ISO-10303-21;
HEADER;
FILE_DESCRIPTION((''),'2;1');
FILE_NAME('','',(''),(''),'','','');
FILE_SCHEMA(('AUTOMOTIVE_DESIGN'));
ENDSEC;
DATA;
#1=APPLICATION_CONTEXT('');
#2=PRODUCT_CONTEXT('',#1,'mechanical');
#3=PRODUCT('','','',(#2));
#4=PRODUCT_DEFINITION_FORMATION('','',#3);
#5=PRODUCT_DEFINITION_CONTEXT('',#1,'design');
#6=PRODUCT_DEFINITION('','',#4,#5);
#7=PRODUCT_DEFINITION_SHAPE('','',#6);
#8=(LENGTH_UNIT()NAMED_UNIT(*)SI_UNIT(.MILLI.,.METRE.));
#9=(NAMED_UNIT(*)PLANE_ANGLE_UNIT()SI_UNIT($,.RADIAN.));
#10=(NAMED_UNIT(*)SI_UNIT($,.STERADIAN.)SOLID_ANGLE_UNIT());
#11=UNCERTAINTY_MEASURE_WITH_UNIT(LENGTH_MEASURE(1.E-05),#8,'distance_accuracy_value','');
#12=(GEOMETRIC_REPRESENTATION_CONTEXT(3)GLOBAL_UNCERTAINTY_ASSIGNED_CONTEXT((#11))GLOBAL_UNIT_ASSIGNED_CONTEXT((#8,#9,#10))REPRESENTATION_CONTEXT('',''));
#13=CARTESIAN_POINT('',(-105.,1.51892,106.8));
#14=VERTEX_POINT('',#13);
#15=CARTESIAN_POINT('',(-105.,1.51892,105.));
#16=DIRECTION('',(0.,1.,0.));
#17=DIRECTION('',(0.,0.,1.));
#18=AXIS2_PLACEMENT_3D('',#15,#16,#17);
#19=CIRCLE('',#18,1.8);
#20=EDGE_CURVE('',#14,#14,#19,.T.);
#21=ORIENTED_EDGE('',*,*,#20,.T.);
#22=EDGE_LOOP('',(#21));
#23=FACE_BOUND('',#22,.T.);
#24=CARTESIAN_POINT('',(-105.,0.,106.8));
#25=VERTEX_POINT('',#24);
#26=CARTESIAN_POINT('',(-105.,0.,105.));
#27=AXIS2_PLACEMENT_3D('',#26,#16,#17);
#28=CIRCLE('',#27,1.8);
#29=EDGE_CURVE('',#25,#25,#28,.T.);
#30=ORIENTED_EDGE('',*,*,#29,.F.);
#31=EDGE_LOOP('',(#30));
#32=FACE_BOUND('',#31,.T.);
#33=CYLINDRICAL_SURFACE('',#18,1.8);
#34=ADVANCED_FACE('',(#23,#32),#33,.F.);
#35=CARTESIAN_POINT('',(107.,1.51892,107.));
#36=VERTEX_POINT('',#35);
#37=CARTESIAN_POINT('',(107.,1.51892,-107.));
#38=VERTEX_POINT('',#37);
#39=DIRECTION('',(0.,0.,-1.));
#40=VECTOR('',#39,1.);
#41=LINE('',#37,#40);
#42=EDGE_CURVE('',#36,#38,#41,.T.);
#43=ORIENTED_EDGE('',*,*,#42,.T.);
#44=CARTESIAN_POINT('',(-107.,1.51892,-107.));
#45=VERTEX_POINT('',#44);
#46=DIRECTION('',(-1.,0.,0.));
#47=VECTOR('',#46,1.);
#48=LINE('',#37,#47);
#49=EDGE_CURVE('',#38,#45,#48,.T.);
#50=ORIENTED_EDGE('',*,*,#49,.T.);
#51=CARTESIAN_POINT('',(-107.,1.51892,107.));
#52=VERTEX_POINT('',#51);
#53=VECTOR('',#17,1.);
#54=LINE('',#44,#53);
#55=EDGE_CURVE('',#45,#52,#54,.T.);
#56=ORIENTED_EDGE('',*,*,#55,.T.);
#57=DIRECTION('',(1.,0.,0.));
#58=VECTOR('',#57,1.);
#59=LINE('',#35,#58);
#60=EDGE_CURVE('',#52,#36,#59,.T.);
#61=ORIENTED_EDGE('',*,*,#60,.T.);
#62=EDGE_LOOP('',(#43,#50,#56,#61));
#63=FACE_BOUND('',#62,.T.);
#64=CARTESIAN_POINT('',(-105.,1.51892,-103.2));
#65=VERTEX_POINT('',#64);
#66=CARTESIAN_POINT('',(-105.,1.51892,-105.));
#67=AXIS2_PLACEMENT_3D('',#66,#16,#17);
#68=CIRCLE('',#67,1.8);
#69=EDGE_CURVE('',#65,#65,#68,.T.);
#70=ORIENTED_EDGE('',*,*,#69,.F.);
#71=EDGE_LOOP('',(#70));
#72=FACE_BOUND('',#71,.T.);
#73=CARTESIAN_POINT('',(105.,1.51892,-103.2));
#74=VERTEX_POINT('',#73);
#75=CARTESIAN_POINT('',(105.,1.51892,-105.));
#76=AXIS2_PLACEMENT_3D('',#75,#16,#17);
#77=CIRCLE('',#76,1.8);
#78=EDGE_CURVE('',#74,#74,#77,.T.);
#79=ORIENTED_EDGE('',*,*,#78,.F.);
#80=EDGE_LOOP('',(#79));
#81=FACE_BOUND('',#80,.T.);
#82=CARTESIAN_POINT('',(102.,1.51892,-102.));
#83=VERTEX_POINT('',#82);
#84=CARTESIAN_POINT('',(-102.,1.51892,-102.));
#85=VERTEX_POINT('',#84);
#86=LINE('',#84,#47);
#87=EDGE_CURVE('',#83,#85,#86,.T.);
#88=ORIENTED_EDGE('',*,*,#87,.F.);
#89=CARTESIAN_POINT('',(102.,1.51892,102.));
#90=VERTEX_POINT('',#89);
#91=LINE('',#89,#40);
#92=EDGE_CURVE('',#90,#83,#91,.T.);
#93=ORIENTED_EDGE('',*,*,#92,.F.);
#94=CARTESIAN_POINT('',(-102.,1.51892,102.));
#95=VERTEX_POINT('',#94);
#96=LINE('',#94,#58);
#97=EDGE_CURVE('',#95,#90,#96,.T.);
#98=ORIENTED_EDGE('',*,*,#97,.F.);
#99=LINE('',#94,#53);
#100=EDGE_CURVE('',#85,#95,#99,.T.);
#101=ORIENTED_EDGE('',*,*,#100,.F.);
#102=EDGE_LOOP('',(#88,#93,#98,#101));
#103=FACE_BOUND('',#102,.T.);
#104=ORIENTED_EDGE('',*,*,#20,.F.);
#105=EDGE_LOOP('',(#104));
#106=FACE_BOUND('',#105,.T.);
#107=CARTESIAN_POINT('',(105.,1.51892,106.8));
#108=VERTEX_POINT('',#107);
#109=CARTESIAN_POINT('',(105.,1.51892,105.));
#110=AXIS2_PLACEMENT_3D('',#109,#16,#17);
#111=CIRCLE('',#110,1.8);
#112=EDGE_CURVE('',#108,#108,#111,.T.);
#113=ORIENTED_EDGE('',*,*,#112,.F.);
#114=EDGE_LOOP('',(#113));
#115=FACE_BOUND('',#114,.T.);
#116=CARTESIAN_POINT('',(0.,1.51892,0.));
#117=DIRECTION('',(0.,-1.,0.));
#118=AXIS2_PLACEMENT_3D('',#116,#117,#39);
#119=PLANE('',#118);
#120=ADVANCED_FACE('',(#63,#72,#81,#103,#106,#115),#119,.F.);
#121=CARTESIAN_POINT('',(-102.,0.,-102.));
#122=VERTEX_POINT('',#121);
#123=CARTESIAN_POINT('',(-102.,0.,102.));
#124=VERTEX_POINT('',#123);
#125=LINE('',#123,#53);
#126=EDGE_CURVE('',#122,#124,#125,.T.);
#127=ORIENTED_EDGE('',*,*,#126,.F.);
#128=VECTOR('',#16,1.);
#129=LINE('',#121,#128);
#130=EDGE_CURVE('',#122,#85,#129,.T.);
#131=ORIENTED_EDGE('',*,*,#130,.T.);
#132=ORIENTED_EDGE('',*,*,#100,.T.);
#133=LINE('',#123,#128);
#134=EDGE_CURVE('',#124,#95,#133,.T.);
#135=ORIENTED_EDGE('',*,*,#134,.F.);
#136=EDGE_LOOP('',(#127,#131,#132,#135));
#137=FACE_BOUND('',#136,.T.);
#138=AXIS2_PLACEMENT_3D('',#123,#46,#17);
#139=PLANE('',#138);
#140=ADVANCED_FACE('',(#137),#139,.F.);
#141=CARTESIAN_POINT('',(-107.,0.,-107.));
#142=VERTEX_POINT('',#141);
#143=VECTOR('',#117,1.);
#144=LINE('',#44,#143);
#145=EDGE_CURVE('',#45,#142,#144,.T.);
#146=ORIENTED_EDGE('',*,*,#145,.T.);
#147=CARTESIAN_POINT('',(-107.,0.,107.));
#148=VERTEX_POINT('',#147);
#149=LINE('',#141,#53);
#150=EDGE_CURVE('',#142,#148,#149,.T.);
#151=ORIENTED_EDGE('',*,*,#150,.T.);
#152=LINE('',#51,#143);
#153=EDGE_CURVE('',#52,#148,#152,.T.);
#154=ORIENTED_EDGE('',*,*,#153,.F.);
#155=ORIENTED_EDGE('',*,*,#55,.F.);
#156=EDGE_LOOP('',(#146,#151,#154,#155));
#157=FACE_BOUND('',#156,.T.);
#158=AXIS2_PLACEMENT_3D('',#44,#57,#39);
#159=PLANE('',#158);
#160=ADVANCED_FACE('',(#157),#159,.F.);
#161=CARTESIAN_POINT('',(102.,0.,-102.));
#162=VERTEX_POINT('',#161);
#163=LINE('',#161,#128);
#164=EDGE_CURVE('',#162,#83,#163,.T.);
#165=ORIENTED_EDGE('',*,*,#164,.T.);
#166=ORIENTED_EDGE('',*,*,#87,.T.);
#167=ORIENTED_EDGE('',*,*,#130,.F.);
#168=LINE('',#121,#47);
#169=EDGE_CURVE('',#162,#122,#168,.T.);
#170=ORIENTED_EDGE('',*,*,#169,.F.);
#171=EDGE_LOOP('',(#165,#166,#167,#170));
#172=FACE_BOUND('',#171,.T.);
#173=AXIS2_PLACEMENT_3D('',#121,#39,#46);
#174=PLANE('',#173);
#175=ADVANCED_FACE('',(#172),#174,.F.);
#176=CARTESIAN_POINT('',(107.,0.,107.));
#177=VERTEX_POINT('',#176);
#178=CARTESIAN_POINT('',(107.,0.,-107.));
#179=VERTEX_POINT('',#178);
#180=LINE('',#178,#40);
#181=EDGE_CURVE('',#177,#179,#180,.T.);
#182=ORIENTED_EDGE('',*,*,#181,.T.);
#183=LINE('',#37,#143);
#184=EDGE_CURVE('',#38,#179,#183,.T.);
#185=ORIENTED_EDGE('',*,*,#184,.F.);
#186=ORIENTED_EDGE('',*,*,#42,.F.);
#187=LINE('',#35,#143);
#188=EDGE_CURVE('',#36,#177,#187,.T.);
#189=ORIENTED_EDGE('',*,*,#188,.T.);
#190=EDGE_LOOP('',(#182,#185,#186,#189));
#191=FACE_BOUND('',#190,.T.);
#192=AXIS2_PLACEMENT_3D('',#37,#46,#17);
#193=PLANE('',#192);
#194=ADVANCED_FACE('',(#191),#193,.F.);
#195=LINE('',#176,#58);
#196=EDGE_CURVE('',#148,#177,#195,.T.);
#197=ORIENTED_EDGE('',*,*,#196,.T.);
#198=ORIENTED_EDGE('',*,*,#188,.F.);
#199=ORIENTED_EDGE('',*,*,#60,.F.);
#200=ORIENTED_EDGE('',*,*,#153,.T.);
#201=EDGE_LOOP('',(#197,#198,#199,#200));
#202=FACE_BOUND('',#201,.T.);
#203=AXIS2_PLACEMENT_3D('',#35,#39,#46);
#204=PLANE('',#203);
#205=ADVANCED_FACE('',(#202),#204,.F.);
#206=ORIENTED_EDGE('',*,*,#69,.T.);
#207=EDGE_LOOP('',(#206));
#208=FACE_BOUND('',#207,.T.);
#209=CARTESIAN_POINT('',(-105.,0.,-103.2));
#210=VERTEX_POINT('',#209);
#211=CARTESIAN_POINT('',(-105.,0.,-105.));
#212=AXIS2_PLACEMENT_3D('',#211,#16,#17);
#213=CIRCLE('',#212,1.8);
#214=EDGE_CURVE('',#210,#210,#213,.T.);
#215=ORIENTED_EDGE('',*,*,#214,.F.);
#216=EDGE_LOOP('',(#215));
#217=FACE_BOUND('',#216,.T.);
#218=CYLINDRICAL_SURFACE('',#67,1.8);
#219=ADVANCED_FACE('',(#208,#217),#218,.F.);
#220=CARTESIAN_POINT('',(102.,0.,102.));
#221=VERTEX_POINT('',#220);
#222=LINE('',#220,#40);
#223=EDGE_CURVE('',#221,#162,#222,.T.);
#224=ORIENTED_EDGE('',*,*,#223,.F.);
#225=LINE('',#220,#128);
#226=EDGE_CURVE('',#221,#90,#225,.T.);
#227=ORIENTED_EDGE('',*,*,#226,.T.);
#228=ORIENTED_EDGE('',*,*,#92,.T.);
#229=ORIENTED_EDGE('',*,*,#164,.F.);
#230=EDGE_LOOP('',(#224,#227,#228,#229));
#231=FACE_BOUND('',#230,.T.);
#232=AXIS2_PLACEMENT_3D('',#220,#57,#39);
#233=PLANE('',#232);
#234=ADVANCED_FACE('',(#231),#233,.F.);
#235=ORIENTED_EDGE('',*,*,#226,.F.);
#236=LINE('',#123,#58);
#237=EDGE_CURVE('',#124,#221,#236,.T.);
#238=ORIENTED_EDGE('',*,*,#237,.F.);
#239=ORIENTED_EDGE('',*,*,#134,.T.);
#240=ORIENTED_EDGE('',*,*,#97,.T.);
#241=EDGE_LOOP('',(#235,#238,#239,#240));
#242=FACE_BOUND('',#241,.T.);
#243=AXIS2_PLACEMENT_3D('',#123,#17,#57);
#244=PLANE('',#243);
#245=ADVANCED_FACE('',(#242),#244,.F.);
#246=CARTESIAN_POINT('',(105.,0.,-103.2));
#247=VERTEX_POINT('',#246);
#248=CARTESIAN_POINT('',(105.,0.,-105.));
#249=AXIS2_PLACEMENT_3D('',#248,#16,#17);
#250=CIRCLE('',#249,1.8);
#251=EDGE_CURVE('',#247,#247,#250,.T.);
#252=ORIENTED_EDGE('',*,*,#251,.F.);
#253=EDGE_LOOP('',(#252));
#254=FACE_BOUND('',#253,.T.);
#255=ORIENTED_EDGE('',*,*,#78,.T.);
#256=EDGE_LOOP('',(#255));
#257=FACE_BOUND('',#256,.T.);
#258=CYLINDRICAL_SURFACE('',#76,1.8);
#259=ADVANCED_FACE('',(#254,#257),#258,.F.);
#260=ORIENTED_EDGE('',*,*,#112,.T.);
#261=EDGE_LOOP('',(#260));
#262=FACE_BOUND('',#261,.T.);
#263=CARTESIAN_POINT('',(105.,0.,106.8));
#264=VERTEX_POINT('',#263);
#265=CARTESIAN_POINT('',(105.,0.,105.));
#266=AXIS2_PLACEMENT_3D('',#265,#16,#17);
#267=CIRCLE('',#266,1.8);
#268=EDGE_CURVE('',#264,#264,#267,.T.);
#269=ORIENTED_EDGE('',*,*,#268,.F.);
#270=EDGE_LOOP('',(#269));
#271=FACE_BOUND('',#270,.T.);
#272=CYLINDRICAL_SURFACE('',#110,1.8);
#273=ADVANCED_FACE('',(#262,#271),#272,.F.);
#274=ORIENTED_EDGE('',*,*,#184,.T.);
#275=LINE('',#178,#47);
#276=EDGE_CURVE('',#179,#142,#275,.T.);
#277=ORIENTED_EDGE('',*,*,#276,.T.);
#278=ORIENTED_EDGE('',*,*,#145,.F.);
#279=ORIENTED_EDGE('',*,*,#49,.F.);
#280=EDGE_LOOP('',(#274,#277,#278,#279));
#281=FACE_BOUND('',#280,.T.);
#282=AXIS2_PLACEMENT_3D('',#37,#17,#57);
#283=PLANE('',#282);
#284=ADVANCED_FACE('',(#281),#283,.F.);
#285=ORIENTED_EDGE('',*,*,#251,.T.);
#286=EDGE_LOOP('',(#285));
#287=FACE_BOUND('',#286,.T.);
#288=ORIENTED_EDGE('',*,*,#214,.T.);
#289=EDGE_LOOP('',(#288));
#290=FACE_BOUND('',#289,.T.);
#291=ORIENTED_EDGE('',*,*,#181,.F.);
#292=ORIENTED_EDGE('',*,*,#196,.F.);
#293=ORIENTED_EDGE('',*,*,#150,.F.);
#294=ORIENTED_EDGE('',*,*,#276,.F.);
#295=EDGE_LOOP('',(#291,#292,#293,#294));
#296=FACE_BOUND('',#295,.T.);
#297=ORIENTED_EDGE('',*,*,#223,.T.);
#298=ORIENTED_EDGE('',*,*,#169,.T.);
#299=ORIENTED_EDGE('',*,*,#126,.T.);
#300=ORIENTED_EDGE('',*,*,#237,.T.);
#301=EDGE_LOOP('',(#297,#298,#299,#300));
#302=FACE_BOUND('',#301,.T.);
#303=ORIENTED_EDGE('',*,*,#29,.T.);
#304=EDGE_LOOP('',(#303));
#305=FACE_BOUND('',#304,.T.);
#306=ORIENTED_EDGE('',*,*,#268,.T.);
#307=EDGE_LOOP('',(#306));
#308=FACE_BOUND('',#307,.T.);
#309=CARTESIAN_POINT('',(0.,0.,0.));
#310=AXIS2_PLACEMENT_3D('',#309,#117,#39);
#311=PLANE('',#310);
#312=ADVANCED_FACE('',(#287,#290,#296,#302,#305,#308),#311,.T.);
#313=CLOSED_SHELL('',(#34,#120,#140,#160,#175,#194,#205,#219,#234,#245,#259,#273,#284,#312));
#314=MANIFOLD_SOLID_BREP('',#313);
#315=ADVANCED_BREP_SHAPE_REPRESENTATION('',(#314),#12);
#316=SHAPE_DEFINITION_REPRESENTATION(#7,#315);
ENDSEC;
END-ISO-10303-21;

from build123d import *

# Parameters (mm, degrees)
SKETCH1_W            = 214
SKETCH1_H            = 214
BOSS_EXTRUDE1_DEPTH  = 1.51892
SKETCH2_W            = 204
SKETCH2_H            = 204
CUT_EXTRUDE1_DEPTH   = 1.51892
M3_CLEARANCE_HOLE1_D = 3.6


with BuildPart() as part:
    # Sketch1 → Boss-Extrude1 (new body)
    with BuildSketch(Plane(origin=(0, 0, 0), x_dir=(1, 0, 0), z_dir=(0, 1, 0))):
        Rectangle(SKETCH1_W, SKETCH1_H)
    extrude(amount=BOSS_EXTRUDE1_DEPTH)

    # Sketch2 → Cut-Extrude1 (cut)
    with BuildSketch(Plane(origin=(0, 1.51892, 0), x_dir=(1, 0, 0), z_dir=(0, 1, 0))):
        Rectangle(SKETCH2_W, SKETCH2_H)
    extrude(amount=-CUT_EXTRUDE1_DEPTH, mode=Mode.SUBTRACT)

    # M3 Clearance Hole1 (through all)
    with Locations(Plane(origin=(0, 1.51892, 0), x_dir=(1, 0, 0), z_dir=(0, 1, 0))):
        with Locations((-105, 105), (105, 105), (105, -105), (-105, -105)):
            Hole(M3_CLEARANCE_HOLE1_D / 2)


solid = part.part
